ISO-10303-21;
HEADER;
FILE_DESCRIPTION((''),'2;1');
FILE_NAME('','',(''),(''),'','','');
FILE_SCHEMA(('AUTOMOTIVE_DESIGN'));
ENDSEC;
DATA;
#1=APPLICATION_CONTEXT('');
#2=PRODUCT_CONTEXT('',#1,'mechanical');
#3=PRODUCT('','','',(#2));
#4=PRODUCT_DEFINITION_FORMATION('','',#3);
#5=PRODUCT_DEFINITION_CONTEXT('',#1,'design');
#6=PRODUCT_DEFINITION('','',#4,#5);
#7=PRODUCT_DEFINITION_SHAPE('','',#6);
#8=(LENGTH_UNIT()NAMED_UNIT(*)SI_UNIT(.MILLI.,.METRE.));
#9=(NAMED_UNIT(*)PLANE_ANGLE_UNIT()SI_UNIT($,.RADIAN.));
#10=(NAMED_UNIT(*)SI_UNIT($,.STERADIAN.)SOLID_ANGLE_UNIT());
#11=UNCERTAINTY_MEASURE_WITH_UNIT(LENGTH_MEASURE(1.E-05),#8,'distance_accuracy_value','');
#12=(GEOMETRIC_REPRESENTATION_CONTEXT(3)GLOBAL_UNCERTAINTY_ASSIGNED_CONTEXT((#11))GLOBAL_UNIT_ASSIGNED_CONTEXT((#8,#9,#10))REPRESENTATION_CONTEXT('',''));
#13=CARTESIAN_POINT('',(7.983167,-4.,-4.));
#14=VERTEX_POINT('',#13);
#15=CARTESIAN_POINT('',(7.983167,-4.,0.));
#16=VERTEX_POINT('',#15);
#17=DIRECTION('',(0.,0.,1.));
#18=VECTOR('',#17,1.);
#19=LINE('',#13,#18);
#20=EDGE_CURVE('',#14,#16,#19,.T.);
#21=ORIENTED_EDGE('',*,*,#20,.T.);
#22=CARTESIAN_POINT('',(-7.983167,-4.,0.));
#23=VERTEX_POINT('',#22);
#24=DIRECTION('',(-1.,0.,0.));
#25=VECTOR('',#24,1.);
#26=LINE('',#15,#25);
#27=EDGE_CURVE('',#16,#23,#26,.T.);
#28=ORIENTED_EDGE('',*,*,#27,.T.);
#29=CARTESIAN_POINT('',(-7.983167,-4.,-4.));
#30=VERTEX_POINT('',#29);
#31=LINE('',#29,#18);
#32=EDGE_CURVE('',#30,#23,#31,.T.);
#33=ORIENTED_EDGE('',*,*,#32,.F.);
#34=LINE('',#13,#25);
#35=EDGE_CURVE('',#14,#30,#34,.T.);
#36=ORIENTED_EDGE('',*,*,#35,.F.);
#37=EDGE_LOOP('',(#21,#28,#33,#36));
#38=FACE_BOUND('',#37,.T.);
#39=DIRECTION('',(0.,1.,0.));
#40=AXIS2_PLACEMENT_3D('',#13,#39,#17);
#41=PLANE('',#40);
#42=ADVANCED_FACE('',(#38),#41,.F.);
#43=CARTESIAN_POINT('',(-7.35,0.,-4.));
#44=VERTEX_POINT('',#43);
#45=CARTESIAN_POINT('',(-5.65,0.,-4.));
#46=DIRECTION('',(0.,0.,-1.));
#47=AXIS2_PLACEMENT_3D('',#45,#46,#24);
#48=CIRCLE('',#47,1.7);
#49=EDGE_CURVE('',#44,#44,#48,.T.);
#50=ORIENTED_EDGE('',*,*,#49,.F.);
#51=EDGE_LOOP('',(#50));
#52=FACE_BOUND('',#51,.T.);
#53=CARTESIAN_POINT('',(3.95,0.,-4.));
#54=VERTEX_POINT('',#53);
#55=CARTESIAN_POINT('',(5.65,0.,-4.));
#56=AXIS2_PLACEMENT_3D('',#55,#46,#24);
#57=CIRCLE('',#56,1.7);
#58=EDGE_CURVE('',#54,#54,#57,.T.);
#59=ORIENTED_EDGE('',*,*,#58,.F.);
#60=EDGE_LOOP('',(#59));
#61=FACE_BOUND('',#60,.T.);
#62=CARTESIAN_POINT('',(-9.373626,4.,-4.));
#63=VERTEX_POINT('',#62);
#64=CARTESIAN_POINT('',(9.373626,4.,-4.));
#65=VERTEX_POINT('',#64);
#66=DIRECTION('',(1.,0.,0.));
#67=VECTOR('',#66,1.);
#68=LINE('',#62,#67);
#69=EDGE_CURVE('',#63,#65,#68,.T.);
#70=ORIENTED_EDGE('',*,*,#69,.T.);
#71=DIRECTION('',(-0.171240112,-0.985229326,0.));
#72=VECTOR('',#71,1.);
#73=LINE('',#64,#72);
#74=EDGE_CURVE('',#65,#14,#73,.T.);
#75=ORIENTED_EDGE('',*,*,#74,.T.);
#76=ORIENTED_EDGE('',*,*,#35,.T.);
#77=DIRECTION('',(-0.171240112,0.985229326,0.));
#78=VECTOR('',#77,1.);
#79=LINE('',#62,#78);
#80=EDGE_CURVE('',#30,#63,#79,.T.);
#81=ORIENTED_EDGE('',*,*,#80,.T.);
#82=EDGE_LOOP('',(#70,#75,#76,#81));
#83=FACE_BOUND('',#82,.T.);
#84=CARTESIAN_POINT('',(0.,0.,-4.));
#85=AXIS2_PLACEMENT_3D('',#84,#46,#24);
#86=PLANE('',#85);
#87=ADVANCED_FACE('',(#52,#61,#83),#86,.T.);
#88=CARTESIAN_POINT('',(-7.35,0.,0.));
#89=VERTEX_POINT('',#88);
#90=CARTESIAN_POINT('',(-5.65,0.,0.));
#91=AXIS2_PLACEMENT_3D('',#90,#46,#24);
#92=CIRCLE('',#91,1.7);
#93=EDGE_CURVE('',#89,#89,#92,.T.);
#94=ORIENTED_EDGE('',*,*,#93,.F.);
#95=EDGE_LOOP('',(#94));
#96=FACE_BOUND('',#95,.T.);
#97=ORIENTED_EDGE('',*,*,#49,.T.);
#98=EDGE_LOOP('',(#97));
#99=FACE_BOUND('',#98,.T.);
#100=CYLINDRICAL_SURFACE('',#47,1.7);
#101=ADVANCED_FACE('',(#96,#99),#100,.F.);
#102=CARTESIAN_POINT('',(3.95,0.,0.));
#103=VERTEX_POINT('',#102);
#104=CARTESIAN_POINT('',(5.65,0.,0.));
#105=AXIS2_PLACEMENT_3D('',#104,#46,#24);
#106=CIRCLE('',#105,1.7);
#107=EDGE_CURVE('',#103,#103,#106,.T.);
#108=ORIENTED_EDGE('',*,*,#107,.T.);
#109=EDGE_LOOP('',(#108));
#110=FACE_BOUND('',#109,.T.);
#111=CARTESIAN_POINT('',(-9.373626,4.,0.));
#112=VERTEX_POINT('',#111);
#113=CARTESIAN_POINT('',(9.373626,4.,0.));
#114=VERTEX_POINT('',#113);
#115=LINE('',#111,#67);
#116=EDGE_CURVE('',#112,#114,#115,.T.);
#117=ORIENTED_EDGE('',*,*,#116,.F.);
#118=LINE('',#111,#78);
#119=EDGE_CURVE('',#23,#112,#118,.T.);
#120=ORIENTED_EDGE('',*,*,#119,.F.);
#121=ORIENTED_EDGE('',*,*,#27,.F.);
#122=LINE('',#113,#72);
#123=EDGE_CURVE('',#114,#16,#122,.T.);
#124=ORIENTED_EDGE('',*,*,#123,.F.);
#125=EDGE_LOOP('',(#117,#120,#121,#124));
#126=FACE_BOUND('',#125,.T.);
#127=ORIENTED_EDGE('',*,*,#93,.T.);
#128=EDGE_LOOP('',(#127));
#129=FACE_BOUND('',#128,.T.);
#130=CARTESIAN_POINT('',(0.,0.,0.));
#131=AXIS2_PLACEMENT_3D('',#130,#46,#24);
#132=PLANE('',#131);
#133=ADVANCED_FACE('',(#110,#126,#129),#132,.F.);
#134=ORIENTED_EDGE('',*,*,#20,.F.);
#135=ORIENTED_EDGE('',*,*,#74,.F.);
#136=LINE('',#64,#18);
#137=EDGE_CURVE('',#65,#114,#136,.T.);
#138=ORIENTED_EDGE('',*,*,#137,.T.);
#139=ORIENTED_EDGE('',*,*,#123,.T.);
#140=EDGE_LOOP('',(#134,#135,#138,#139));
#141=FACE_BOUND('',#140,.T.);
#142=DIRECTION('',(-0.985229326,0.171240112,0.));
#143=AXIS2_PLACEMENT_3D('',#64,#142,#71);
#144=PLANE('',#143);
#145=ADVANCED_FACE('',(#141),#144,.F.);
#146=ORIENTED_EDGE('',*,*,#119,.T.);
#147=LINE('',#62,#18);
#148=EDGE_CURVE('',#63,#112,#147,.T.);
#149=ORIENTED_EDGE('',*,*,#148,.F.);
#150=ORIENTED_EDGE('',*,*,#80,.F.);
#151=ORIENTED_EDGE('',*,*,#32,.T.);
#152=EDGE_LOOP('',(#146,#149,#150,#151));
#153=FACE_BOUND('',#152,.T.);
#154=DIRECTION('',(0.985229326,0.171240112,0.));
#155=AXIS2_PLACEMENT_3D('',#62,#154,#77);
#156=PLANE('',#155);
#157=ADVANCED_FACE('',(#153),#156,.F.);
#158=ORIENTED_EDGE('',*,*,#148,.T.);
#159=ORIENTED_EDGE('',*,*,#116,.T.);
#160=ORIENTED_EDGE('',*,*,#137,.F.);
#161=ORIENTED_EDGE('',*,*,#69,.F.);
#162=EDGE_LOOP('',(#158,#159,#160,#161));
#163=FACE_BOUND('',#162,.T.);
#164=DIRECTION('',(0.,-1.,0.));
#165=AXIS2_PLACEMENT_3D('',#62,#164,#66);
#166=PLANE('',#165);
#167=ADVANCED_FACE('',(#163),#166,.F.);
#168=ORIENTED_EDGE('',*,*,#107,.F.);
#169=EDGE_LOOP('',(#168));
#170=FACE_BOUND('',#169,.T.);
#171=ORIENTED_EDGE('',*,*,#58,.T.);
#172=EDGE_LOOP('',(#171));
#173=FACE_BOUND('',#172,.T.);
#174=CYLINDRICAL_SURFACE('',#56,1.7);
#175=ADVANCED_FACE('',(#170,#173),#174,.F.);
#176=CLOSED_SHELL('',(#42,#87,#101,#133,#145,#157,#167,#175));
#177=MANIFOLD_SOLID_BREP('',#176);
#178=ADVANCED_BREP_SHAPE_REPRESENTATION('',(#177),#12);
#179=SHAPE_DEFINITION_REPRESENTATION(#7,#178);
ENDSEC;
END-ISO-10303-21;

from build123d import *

# Parameters (mm, degrees)
BOSS_EXTRUDE1_DEPTH  = 4
M3_CLEARANCE_HOLE1_D = 3.4


with BuildPart() as part:
    # Sketch1 → Boss-Extrude1 (new body)
    with BuildSketch(Plane(origin=(0, 0, 0), x_dir=(1, 0, 0), z_dir=(0, 0, -1))):
        Polygon((7.983167098, 4), (-7.983167098, 4), (-9.373626011, -4), (9.373626011, -4), align=None)
    extrude(amount=BOSS_EXTRUDE1_DEPTH)

    # M3 Clearance Hole1 (through all)
    with Locations(Plane(origin=(0, 0, -4), x_dir=(-1, 0, 0), z_dir=(0, 0, -1))):
        with Locations((-5.65, 0), (5.65, 0)):
            Hole(M3_CLEARANCE_HOLE1_D / 2)


solid = part.part
